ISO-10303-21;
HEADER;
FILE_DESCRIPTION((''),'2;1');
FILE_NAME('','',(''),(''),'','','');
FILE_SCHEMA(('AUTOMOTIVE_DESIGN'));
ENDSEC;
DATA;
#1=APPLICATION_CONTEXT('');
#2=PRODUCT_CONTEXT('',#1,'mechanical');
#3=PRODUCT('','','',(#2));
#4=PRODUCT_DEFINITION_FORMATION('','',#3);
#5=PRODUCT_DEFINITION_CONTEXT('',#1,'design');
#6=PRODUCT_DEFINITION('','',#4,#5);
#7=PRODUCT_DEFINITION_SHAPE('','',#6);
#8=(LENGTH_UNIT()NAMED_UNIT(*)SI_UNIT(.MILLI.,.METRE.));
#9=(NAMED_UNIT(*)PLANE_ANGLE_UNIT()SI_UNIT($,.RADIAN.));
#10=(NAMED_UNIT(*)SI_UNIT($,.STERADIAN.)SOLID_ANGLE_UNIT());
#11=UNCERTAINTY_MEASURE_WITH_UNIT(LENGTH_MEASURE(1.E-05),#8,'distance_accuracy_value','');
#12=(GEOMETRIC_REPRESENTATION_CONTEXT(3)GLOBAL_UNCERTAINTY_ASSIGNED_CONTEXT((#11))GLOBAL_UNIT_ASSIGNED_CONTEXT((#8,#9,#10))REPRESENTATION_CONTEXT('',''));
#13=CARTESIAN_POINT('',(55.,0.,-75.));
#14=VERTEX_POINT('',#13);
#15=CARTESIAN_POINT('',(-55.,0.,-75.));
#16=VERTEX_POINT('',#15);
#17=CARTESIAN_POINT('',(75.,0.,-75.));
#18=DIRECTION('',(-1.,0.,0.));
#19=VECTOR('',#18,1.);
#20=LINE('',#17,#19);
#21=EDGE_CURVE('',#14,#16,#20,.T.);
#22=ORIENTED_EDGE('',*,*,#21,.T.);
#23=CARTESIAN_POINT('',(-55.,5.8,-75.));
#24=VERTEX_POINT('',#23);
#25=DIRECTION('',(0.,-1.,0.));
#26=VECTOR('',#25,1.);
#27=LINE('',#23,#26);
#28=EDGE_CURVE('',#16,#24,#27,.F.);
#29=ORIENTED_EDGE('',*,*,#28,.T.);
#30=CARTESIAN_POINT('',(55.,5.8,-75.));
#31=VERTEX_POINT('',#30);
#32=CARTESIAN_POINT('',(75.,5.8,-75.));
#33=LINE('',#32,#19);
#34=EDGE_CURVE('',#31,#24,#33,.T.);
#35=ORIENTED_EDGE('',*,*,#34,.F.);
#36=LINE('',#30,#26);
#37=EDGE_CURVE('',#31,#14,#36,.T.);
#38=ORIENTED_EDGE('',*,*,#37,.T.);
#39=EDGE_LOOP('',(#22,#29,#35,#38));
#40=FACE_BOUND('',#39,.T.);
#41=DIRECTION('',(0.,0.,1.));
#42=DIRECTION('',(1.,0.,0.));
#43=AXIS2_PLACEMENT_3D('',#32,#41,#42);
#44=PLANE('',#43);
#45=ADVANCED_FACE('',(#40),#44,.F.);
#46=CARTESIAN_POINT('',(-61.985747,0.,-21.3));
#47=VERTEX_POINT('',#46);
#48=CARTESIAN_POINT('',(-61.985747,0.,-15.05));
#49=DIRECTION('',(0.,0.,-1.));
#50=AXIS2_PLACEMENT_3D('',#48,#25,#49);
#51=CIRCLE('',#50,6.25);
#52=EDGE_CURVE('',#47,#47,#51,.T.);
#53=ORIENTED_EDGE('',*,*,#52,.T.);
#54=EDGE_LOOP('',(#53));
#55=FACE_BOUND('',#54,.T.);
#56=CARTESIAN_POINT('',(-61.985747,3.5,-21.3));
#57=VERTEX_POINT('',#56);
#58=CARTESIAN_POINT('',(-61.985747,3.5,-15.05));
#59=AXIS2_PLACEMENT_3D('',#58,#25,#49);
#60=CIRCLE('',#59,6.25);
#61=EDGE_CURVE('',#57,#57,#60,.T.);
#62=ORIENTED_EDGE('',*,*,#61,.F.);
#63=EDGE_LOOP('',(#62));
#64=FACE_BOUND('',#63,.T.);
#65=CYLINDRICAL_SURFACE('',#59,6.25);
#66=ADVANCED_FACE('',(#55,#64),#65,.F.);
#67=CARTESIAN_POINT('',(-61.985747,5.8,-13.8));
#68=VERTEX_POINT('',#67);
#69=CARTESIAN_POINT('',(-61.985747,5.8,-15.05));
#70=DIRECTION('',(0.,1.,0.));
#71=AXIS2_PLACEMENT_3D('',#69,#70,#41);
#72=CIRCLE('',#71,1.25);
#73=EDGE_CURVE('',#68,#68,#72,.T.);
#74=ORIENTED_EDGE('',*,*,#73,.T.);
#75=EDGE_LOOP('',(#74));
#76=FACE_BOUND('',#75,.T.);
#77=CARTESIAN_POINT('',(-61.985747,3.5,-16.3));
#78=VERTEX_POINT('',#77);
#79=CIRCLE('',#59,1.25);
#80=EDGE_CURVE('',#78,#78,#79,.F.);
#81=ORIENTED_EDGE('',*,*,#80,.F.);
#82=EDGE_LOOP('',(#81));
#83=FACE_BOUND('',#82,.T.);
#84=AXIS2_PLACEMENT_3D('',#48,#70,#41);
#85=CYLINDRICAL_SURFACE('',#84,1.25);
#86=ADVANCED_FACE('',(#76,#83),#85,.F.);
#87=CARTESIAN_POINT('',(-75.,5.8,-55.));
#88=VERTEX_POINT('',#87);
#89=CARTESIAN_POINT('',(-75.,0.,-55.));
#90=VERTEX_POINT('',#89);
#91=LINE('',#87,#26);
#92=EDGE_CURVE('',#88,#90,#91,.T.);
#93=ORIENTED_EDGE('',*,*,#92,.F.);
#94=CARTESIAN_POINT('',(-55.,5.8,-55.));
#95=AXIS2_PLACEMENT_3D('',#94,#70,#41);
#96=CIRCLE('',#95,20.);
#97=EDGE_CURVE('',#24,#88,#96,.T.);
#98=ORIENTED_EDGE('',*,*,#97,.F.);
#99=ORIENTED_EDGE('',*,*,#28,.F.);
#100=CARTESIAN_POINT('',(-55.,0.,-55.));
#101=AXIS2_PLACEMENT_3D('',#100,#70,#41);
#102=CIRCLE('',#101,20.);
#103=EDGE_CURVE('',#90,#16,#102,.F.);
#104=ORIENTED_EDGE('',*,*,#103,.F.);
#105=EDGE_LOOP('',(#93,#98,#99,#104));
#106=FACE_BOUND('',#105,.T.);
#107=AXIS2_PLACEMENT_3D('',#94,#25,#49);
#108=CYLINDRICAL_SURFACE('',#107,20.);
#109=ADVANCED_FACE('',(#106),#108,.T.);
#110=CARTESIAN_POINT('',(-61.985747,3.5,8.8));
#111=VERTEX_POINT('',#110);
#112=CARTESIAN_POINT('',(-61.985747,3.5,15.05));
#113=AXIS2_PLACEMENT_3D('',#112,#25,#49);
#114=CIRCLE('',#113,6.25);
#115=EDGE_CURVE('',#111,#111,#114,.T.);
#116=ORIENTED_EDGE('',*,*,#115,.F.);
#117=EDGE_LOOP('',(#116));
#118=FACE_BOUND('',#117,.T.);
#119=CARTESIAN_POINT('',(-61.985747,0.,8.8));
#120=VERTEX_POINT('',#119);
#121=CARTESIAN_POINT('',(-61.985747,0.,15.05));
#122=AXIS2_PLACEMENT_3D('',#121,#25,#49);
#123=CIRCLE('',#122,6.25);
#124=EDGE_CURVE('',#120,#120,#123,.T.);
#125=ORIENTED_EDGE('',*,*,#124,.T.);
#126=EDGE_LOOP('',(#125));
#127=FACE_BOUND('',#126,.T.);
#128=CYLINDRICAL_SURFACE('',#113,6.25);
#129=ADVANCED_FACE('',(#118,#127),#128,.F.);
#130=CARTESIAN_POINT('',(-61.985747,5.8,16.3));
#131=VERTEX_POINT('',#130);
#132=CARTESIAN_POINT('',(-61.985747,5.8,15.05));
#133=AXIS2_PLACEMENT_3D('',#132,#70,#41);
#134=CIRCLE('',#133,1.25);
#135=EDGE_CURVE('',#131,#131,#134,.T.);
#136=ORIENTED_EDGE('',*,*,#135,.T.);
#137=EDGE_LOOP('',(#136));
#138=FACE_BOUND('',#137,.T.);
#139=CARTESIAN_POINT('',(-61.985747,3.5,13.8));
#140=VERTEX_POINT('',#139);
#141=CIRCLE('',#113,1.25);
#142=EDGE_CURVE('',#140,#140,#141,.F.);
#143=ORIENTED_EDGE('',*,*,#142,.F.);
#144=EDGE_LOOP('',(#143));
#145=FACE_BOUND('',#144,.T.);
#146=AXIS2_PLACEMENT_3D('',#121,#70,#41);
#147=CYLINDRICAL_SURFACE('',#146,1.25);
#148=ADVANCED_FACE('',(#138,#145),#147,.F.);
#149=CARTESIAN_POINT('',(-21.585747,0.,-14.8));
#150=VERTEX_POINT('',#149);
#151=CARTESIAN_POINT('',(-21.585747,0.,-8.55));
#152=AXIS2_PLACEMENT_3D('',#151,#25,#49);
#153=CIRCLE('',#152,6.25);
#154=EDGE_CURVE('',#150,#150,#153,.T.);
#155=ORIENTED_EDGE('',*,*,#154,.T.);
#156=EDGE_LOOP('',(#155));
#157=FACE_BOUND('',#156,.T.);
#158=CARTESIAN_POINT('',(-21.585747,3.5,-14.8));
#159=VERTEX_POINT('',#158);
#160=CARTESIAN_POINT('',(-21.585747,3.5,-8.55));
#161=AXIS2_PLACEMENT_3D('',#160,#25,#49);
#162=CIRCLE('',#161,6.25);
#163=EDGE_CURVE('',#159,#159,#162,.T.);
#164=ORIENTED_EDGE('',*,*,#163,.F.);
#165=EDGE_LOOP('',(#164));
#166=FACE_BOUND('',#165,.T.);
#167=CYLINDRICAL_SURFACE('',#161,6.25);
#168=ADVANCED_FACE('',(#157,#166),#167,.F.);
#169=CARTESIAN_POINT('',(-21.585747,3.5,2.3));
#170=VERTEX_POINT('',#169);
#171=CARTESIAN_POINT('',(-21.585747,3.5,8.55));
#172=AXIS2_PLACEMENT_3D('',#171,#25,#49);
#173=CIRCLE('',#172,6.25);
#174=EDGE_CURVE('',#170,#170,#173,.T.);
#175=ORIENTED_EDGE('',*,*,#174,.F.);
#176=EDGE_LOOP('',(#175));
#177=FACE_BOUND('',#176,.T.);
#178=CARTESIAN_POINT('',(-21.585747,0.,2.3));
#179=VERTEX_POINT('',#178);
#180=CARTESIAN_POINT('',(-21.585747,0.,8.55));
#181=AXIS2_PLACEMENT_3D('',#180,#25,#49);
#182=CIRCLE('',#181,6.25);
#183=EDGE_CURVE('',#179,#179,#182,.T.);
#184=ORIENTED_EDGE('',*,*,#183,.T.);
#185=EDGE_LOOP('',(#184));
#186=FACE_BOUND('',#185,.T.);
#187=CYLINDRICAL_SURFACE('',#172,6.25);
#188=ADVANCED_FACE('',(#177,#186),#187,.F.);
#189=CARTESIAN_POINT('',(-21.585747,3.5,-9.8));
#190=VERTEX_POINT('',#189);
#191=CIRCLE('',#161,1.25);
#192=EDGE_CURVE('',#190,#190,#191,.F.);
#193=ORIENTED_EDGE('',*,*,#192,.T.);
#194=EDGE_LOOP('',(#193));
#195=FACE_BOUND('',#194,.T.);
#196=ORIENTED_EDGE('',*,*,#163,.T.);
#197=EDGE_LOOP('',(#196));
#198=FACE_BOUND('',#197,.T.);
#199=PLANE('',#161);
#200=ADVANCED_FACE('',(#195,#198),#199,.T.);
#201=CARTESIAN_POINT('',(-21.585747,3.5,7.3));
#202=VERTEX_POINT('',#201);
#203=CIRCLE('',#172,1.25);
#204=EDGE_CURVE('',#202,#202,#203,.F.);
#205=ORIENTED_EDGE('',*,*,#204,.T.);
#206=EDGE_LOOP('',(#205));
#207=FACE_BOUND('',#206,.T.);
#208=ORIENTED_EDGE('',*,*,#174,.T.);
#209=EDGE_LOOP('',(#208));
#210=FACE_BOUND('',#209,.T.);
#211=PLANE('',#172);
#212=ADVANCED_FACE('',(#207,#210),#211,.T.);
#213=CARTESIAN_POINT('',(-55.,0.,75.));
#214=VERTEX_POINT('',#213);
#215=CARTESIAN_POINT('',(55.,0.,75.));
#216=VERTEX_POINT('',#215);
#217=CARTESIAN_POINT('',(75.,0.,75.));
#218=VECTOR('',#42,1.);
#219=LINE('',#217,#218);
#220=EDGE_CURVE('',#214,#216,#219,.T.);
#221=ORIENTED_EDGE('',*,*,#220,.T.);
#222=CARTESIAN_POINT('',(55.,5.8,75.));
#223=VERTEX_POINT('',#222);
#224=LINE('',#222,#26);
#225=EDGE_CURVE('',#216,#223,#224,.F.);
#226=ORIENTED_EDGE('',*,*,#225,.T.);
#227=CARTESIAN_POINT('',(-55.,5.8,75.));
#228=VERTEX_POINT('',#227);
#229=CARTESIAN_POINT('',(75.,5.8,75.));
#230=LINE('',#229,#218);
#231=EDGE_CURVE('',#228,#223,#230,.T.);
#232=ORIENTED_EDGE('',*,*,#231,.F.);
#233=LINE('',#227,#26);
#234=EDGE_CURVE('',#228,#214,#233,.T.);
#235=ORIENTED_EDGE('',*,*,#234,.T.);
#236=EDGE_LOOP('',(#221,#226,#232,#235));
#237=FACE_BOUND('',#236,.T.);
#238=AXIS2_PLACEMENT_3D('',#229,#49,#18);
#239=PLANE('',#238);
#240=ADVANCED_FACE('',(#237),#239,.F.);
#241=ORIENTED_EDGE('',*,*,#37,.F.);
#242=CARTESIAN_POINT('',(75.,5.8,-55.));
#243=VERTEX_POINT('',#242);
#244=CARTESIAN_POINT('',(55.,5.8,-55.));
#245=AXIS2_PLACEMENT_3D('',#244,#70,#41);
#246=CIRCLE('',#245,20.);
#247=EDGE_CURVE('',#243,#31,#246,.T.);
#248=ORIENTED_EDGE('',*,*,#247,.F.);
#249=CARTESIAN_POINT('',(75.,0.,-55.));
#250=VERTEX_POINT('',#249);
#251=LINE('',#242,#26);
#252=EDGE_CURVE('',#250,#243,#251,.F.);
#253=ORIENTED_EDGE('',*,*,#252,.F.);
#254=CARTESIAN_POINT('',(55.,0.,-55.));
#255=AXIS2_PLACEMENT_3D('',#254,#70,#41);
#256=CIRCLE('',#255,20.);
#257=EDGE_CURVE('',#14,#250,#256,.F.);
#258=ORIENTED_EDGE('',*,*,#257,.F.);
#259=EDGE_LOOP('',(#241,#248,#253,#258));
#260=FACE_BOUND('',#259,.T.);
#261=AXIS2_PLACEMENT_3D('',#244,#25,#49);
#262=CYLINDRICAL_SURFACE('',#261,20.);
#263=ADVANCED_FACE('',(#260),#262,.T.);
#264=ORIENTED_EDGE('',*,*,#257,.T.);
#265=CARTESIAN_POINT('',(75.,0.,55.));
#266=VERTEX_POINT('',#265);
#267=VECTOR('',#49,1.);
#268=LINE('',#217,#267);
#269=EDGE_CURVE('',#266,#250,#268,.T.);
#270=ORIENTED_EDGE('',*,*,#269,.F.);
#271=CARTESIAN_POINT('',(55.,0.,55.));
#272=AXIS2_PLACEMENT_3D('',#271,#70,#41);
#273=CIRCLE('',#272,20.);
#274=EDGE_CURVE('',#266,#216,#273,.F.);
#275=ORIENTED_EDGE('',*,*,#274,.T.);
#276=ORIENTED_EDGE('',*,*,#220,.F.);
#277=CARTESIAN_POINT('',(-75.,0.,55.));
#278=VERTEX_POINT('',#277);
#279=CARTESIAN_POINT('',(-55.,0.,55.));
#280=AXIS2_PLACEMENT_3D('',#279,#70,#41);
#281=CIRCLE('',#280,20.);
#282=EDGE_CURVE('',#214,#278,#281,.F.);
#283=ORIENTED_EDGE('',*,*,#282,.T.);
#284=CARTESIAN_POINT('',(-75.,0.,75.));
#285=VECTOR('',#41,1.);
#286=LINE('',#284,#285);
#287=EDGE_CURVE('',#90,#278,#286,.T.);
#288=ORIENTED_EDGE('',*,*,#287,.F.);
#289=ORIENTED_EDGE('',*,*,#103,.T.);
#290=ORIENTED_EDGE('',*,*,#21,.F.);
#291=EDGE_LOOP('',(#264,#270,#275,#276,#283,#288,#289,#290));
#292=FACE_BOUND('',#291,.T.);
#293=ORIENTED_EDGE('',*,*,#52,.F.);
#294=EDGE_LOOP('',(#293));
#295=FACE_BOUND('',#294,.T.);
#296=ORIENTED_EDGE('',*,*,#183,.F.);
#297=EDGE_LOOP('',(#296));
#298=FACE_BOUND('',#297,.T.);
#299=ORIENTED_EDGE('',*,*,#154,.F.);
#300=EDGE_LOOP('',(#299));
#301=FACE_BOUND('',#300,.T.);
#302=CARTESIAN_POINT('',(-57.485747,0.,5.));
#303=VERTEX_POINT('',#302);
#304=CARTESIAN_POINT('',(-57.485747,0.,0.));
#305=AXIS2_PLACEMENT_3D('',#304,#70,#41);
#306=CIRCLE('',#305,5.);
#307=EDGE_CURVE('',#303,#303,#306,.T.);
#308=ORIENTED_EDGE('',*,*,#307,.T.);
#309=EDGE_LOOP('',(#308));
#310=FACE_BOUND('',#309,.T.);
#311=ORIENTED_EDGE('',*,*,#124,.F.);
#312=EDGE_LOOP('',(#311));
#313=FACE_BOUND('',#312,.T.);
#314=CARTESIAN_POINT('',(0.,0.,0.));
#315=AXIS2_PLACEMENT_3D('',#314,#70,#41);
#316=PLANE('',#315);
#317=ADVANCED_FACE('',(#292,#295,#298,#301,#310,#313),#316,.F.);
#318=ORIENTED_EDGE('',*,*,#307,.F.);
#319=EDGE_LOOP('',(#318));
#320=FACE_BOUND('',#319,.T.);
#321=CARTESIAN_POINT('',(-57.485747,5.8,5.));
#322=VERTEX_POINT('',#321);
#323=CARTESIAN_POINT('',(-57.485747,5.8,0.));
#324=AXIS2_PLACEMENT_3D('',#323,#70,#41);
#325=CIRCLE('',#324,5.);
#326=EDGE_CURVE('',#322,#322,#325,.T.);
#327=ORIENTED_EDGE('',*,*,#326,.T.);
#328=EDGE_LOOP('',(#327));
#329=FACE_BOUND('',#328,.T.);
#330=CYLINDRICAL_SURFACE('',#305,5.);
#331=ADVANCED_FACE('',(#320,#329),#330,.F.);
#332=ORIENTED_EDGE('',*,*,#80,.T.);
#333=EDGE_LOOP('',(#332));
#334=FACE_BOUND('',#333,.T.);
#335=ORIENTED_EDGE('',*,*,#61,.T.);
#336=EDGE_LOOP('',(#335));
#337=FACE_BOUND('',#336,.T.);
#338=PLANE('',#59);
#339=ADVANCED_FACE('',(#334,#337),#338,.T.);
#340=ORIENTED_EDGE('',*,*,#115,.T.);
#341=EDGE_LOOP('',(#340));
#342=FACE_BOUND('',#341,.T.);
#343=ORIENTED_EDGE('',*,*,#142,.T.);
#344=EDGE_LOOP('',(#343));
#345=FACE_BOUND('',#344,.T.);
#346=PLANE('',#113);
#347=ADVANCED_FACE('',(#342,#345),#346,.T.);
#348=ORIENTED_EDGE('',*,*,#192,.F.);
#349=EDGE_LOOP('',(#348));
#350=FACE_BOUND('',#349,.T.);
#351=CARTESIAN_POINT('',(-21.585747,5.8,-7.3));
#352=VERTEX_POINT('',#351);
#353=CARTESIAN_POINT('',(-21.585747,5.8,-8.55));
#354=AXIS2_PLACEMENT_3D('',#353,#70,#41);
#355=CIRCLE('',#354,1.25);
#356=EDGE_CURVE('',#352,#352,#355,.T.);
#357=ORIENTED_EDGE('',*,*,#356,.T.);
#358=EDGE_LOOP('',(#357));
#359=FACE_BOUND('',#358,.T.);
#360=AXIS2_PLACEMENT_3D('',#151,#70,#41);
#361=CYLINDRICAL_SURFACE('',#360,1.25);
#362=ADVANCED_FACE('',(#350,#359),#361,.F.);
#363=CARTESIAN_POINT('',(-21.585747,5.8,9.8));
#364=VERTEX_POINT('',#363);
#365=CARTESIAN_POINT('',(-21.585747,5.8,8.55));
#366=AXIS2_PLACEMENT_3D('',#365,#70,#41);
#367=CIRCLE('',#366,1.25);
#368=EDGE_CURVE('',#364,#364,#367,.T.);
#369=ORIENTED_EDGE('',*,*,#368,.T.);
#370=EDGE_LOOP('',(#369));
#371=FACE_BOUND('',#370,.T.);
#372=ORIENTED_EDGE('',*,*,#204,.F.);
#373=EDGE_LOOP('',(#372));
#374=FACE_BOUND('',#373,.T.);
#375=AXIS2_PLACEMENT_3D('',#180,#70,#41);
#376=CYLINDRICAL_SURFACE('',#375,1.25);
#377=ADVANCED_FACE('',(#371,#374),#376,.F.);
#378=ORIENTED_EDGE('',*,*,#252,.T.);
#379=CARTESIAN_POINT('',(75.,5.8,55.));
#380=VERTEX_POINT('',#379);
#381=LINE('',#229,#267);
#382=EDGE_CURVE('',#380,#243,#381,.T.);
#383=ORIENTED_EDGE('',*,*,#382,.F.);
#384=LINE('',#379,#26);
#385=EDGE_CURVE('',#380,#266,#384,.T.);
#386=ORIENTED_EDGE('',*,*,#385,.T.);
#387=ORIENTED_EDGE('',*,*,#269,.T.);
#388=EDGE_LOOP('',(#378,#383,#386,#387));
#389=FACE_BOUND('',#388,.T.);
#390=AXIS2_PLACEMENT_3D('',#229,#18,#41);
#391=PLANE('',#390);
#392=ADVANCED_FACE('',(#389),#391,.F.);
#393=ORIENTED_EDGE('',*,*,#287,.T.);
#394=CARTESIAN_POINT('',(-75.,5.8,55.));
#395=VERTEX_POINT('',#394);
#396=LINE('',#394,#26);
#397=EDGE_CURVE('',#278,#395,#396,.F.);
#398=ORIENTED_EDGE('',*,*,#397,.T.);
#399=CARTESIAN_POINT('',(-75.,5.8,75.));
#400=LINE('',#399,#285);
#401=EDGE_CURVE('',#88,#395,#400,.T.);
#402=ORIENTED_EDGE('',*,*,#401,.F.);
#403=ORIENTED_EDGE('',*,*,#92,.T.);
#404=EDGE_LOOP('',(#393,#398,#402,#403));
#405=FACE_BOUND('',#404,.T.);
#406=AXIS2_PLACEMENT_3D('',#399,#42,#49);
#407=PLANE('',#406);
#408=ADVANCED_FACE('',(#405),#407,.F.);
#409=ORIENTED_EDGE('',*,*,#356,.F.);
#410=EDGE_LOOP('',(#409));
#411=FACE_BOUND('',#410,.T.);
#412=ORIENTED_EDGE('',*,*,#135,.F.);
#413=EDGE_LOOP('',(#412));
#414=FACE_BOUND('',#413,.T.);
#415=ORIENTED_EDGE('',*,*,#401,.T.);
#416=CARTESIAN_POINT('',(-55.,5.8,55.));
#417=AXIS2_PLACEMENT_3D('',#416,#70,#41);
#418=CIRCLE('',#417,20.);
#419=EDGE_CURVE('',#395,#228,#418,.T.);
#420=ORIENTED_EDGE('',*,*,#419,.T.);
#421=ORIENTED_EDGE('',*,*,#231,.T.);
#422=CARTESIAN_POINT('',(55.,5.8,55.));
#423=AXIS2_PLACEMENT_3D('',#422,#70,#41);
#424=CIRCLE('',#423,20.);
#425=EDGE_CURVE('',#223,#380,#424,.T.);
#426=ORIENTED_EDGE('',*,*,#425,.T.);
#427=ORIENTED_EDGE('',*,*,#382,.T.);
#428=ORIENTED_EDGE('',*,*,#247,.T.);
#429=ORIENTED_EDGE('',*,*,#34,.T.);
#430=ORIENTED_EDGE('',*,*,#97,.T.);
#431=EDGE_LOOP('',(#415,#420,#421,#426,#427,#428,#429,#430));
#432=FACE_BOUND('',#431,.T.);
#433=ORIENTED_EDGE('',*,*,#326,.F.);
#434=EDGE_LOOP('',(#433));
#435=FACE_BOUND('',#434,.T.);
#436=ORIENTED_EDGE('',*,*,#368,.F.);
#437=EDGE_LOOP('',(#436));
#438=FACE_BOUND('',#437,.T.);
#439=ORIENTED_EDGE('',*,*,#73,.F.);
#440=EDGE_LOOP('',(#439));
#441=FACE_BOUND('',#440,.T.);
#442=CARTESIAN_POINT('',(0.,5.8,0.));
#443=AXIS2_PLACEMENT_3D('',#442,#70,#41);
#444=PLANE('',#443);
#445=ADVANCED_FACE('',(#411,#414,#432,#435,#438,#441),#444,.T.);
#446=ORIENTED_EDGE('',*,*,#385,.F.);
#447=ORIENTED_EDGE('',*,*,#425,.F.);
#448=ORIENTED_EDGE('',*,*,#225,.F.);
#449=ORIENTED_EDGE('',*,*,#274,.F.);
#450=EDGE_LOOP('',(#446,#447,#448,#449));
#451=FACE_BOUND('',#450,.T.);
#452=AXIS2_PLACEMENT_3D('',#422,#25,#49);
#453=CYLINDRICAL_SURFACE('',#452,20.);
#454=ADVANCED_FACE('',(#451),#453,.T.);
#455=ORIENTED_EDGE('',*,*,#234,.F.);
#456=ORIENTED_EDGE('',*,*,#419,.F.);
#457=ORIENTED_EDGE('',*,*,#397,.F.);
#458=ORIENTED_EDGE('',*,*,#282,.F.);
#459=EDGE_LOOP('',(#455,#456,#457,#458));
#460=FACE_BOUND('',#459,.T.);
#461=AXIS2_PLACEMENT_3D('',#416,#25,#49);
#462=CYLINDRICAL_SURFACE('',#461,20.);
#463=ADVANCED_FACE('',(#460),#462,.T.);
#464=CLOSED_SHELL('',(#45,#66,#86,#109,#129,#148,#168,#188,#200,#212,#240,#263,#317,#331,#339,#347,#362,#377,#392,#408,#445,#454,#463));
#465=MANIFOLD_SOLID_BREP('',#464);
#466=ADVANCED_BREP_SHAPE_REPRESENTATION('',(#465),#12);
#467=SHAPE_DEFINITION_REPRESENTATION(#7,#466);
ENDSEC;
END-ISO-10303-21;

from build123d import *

# Parameters (mm, degrees)
SKETCH1_W               = 150
SKETCH1_H               = 150
BOSS_EXTRUDE1_DEPTH     = 5.8
CUT_EXTRUDE1_DEPTH      = 107.224479288
CUT_EXTRUDE1_DEPTH_BACK = 107.224479288
SKETCH2_R               = 1.25
SKETCH2_R_2             = 5
FILLET1_R               = 20
SKETCH3_R               = 6.25
CUT_EXTRUDE2_DEPTH      = 3.5


with BuildPart() as part:
    # Sketch1 → Boss-Extrude1 (new body)
    with BuildSketch(Plane(origin=(0, 0, 0), x_dir=(1, 0, 0), z_dir=(0, 1, 0))):
        Rectangle(SKETCH1_W, SKETCH1_H)
    extrude(amount=BOSS_EXTRUDE1_DEPTH)

    # Sketch2 → Cut-Extrude1 (cut, two sides: drawn at the far end of the back side and taken through both)
    with BuildSketch(Plane(origin=(0, 5.8, 0), x_dir=(1, 0, 0), z_dir=(0, 1, 0)).offset(-CUT_EXTRUDE1_DEPTH_BACK)):
        with Locations(Location((-61.985746634, -15.05, 0), (0, 0, 270))):
            Circle(SKETCH2_R)
        with Locations(Location((-61.985746634, 15.05, 0), (0, 0, 270))):
            Circle(SKETCH2_R)
        with Locations(Location((-21.585746634, 8.55, 0), (0, 0, 270))):
            Circle(SKETCH2_R)
        with Locations(Location((-21.585746634, -8.55, 0), (0, 0, 270))):
            Circle(SKETCH2_R)
        with Locations(Location((-57.485746634, 0, 0), (0, 0, 270))):
            Circle(SKETCH2_R_2)
    extrude(amount=CUT_EXTRUDE1_DEPTH + CUT_EXTRUDE1_DEPTH_BACK, mode=Mode.SUBTRACT)

    # Fillet1
    fillet1_edges = [part.edges().sort_by_distance(p)[0] for p in [
        (-75, 2.9, -75),
        (75, 2.9, -75),
        (75, 2.9, 75),
        (-75, 2.9, 75),
    ]]
    fillet(fillet1_edges, radius=FILLET1_R)

    # Sketch3 → Cut-Extrude2 (cut)
    with BuildSketch(Plane.XZ):
        with Locations(Location((-21.585746634, -8.55, 0), (0, 0, 270))):
            Circle(SKETCH3_R)
        with Locations(Location((-21.585746634, 8.55, 0), (0, 0, 270))):
            Circle(SKETCH3_R)
        with Locations(Location((-61.985746634, -15.05, 0), (0, 0, 270))):
            Circle(SKETCH3_R)
        with Locations(Location((-61.985746634, 15.05, 0), (0, 0, 270))):
            Circle(SKETCH3_R)
    extrude(amount=-CUT_EXTRUDE2_DEPTH, mode=Mode.SUBTRACT)


solid = part.part
